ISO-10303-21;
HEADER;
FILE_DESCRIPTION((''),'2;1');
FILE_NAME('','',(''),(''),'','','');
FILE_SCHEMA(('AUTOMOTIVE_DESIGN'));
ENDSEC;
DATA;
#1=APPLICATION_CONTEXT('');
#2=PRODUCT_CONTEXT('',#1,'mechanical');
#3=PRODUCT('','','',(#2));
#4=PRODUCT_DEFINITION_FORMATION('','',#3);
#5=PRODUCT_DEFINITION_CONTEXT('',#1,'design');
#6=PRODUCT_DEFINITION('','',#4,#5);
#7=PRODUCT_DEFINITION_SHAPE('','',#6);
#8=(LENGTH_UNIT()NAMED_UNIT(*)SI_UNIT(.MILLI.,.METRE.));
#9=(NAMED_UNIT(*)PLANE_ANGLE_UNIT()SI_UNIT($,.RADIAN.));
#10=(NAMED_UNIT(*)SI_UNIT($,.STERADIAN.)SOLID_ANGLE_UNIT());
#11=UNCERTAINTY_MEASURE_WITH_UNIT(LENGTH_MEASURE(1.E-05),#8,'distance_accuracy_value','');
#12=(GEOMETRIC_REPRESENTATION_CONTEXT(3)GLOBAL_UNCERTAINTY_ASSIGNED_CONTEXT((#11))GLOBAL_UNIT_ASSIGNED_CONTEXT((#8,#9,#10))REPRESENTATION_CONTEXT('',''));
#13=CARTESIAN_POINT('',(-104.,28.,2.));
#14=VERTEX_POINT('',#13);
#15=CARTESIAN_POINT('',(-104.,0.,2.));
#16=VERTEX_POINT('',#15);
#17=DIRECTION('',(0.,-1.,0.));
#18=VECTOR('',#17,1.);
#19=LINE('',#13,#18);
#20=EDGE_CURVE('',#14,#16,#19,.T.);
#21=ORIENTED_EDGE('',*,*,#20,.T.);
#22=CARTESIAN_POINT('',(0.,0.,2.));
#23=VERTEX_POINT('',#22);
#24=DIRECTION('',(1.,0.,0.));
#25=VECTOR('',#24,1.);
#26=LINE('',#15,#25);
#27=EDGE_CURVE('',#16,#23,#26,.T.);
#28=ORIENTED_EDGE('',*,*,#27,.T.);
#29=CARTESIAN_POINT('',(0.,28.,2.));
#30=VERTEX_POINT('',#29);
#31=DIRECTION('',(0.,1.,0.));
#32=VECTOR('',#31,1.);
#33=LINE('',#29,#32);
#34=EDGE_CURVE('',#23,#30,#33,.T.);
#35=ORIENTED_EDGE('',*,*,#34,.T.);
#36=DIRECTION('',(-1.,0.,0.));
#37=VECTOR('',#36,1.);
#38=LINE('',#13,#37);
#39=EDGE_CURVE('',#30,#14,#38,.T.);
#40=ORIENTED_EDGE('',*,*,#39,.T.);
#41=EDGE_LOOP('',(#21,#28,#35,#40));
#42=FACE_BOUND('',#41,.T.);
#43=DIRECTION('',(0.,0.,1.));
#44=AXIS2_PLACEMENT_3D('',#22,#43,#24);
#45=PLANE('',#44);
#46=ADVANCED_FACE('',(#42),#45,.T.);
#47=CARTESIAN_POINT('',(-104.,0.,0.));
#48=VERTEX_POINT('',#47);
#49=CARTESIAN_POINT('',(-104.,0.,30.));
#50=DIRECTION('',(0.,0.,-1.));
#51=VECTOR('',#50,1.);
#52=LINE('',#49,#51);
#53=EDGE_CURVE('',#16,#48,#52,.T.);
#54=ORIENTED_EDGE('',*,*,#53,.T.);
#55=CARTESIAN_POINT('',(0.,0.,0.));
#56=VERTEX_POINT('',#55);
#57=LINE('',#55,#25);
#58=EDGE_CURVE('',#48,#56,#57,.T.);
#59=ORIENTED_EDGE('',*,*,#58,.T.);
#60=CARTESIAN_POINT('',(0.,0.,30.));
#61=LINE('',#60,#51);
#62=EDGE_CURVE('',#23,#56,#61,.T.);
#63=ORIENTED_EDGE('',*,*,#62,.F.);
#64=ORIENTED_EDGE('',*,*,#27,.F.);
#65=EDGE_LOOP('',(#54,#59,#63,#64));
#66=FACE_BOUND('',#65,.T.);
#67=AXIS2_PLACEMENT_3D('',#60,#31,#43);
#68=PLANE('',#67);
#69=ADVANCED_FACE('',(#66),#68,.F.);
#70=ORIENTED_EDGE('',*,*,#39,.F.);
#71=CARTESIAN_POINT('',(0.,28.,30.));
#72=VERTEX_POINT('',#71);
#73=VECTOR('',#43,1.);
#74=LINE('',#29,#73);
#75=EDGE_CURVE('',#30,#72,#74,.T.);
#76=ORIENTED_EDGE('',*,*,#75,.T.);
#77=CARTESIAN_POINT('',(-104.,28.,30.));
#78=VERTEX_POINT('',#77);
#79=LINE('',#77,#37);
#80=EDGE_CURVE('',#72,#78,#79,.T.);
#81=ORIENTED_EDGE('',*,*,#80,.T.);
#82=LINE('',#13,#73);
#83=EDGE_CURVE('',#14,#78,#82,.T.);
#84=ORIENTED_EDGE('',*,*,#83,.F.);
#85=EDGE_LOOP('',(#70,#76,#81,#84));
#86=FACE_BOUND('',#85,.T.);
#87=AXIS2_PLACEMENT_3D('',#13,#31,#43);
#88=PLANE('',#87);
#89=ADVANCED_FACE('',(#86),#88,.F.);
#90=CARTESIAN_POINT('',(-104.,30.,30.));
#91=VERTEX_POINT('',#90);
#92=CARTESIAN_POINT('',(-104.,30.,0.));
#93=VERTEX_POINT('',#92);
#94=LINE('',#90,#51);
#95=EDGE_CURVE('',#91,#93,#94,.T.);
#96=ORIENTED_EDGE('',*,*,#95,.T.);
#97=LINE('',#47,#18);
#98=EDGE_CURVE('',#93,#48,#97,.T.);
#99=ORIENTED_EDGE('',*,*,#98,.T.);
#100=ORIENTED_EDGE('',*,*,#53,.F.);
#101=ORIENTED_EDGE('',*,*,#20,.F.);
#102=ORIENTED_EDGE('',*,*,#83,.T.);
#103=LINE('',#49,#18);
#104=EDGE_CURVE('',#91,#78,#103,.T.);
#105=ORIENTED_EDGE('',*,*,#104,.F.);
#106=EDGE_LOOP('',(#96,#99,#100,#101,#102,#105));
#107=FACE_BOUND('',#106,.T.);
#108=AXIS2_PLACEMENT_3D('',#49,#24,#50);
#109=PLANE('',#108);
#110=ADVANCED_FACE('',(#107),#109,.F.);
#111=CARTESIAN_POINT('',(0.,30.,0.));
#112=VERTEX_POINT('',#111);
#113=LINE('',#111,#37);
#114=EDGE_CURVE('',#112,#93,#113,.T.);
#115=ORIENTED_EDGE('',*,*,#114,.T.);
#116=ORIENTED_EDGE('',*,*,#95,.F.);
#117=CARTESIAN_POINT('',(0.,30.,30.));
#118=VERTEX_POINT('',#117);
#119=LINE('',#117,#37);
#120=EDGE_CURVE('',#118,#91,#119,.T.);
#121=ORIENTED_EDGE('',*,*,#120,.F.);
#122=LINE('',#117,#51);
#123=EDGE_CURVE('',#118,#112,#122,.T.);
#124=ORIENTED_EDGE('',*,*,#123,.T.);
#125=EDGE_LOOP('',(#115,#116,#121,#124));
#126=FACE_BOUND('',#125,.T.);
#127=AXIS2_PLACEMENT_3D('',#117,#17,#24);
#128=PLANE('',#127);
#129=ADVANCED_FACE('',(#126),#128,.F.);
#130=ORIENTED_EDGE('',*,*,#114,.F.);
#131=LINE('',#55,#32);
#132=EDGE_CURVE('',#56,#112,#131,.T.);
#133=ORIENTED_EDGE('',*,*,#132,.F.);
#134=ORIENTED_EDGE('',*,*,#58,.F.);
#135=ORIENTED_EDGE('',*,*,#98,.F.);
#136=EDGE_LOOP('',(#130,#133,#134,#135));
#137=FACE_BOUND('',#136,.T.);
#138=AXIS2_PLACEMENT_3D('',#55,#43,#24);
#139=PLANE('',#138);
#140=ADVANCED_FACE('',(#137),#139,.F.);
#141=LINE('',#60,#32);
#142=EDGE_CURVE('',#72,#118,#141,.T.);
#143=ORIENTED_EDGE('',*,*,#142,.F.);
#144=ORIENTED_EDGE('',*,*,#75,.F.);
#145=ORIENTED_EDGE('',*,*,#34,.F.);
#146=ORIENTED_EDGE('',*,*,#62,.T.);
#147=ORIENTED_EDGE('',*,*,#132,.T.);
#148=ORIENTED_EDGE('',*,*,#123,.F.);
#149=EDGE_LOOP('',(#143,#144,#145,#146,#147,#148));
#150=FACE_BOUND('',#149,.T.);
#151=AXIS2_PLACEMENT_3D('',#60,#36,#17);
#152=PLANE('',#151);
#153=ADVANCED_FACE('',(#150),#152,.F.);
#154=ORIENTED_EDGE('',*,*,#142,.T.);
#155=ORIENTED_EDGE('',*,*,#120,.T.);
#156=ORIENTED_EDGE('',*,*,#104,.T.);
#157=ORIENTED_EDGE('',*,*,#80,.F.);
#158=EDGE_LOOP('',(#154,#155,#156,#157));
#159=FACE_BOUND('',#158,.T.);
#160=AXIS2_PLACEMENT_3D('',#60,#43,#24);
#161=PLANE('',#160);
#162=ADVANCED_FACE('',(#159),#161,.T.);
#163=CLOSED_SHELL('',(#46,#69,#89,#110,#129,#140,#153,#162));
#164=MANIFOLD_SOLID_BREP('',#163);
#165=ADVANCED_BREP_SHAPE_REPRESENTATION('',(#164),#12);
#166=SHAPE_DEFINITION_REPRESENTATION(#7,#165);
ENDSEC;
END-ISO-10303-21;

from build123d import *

# Parameters (mm, degrees)
SKETCH_1_W          = 104
SKETCH_1_H          = 30
EXTRUDE_1_DEPTH     = 30
SKETCH_2_W          = 104
SKETCH_2_H          = 28
CUT_EXTRUDE_1_DEPTH = 28


with BuildPart() as part:
    # 草圖1 → 填料-伸長1 (new body)
    with BuildSketch(Plane.XY):
        with Locations((-52, 15)):
            Rectangle(SKETCH_1_W, SKETCH_1_H)
    extrude(amount=EXTRUDE_1_DEPTH)

    # 草圖2 → 除料-伸長1 (cut)
    with BuildSketch(Plane.XY.offset(30)):
        with Locations((-52, 14)):
            Rectangle(SKETCH_2_W, SKETCH_2_H)
    extrude(amount=-CUT_EXTRUDE_1_DEPTH, mode=Mode.SUBTRACT)


solid = part.part
